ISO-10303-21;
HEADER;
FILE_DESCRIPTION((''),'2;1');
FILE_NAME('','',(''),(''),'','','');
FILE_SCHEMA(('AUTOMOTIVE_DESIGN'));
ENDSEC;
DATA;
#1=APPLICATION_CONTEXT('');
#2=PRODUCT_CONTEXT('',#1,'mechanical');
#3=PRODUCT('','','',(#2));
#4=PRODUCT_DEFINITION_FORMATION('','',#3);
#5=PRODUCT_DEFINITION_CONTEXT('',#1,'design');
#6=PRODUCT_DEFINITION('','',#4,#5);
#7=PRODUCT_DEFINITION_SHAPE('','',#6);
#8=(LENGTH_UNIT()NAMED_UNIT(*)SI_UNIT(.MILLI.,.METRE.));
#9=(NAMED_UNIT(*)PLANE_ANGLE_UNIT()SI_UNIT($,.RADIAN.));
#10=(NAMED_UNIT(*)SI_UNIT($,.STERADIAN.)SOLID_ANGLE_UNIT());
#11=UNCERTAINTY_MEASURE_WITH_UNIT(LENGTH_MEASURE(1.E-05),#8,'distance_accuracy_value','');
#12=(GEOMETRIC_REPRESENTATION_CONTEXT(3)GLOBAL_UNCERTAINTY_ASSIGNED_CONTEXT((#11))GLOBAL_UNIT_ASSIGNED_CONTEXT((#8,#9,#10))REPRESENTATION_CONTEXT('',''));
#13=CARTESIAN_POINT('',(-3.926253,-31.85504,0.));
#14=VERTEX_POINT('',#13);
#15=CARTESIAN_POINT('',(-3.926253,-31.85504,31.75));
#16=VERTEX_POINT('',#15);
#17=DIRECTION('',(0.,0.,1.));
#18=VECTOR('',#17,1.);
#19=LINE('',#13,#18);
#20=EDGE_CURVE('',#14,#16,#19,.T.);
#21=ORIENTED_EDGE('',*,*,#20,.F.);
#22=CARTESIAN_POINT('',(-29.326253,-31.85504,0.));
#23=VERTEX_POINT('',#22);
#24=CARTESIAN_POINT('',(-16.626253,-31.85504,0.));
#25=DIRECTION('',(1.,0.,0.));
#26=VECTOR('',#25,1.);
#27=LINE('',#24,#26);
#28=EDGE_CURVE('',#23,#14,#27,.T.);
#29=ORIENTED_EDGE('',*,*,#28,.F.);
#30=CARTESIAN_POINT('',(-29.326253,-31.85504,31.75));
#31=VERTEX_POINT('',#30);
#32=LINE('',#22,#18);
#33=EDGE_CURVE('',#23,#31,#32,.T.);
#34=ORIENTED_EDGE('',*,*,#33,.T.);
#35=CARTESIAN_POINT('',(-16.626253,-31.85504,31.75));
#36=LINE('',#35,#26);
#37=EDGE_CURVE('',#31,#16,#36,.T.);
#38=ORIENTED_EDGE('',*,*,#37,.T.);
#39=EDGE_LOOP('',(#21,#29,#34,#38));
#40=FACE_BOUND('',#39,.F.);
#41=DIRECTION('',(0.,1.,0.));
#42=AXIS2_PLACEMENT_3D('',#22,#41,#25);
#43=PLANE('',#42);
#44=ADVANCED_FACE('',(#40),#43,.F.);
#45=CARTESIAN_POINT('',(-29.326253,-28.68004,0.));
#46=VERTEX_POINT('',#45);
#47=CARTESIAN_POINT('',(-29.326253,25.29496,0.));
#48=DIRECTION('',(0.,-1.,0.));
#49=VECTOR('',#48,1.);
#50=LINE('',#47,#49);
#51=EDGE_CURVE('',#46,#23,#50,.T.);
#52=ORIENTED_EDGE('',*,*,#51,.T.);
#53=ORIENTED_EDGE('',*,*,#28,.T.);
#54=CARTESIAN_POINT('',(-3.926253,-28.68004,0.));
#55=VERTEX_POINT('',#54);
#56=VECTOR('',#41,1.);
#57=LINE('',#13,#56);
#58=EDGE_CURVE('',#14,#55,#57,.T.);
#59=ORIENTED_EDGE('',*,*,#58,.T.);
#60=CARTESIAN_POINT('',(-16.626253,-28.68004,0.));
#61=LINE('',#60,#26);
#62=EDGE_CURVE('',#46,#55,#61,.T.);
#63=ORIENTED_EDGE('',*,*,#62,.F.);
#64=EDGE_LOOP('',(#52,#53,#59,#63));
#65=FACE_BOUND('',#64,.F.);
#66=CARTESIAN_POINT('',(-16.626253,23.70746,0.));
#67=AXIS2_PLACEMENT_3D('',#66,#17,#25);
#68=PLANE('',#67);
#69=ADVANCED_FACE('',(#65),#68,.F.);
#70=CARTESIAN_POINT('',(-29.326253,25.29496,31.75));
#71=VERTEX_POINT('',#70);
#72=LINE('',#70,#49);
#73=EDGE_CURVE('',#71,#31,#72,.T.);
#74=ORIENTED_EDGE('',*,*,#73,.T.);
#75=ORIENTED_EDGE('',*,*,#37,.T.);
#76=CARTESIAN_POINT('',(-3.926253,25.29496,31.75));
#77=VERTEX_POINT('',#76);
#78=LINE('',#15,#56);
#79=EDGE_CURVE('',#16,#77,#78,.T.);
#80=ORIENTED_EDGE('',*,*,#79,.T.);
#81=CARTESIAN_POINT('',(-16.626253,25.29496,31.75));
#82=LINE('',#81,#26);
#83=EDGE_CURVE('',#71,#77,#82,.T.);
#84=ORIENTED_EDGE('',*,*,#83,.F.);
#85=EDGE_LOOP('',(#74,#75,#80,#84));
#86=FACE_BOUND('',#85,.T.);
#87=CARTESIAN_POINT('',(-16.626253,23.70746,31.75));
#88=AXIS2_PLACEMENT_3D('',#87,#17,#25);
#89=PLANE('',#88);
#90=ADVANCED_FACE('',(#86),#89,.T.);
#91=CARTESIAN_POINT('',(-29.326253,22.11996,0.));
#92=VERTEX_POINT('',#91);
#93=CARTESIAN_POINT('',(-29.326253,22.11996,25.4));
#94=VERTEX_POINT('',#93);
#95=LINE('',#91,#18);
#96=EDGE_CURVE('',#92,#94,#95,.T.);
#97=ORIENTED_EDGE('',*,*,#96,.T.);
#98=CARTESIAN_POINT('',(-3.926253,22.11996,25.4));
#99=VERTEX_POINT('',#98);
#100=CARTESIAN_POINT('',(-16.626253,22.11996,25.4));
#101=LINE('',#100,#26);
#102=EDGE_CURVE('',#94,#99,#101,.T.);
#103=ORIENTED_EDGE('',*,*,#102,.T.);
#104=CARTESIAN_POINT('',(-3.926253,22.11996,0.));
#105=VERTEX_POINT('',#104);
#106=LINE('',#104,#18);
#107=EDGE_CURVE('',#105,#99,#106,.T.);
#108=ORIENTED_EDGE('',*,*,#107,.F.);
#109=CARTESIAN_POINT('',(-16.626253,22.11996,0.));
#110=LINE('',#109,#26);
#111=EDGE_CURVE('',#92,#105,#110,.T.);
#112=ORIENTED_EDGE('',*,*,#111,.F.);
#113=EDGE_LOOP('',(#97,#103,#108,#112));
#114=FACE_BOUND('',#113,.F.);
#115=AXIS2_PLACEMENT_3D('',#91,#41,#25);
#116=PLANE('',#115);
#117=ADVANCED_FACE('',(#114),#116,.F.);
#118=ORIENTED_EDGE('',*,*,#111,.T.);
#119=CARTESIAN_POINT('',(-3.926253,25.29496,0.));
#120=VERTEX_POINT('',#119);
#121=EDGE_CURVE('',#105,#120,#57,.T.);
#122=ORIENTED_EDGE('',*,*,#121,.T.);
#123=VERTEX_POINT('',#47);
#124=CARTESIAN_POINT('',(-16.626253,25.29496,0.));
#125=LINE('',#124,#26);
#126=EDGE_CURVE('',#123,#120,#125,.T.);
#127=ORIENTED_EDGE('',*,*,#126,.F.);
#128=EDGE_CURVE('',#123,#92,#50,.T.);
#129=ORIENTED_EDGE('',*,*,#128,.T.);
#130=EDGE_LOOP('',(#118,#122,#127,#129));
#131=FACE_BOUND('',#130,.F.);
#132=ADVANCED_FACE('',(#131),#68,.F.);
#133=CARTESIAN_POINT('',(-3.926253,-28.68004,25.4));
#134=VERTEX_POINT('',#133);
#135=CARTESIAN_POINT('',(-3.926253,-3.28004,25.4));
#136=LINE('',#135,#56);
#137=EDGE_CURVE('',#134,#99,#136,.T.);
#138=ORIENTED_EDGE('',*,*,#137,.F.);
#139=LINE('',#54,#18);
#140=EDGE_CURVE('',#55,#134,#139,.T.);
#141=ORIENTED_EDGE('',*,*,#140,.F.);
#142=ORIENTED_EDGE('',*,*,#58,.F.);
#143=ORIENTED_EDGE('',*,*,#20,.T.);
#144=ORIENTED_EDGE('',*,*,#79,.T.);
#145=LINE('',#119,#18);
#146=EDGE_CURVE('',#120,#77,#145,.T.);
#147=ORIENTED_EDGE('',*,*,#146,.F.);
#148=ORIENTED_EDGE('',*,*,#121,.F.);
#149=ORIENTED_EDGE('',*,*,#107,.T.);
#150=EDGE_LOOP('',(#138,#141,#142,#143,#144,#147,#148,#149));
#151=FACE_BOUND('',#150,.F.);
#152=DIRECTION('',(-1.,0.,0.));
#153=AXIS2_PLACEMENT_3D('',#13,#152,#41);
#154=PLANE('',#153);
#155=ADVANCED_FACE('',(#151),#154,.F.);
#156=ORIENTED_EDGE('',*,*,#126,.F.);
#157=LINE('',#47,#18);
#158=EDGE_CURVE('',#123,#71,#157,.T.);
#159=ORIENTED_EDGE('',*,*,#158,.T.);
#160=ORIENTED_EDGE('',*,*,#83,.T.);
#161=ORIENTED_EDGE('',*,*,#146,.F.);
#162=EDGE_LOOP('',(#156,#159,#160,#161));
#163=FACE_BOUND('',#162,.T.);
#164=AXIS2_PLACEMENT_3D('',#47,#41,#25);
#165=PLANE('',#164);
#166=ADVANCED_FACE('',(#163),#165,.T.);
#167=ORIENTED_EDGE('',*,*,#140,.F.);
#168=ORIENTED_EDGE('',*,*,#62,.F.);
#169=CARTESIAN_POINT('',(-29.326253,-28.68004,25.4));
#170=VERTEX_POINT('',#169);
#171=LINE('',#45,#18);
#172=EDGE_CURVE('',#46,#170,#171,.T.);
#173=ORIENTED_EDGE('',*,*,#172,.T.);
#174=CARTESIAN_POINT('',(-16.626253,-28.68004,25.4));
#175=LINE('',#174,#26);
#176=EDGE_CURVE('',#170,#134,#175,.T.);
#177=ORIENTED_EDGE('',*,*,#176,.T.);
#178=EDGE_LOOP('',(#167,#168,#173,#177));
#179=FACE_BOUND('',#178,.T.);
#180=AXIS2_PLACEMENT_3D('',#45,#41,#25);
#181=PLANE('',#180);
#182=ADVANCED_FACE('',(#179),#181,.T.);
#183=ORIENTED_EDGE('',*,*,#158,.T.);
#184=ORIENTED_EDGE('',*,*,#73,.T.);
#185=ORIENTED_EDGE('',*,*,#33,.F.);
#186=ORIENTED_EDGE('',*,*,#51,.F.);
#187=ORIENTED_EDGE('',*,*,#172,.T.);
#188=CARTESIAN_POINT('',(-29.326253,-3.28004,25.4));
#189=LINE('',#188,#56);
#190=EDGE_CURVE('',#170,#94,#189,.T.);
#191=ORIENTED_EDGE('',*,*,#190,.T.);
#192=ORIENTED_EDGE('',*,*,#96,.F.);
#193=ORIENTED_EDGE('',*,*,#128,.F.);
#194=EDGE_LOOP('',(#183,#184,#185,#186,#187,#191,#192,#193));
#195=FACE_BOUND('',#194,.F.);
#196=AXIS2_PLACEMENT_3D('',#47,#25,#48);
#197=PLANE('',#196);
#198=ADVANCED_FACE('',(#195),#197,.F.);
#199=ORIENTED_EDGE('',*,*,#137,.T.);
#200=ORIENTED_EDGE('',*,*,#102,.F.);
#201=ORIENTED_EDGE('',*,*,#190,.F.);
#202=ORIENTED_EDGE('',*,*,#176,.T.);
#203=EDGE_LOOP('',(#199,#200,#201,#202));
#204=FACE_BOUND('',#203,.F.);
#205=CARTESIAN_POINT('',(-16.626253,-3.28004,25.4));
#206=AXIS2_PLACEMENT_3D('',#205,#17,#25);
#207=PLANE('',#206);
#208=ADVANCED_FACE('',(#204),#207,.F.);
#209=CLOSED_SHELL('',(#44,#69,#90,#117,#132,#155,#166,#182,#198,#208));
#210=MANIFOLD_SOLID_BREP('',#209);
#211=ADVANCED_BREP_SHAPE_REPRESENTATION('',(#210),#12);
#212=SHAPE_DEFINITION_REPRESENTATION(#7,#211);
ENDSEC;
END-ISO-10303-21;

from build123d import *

# Parameters (mm, degrees)
F0_W     = 25.4
F0_H     = 3.175
F0_H_2   = 50.8
F1_DEPTH = 31.75
F2_DEPTH = 25.4


with BuildPart() as f1:
    # F0 (on Top) → F1 (new body)
    with BuildSketch(Plane.XY):
        with Locations((-16.626253, 23.70746)):
            Rectangle(F0_W, F0_H)
        with Locations((-16.626253, -3.28004)):
            Rectangle(F0_W, F0_H_2)
        with Locations((-16.626253, -30.26754)):
            Rectangle(F0_W, F0_H)
    extrude(amount=F1_DEPTH)

    # F0 (on Top) → F2 (cut)
    with BuildSketch(Plane.XY):
        with Locations((-16.626253, -3.28004)):
            Rectangle(F0_W, F0_H_2)
    extrude(amount=F2_DEPTH, mode=Mode.SUBTRACT)


solid = f1.part
